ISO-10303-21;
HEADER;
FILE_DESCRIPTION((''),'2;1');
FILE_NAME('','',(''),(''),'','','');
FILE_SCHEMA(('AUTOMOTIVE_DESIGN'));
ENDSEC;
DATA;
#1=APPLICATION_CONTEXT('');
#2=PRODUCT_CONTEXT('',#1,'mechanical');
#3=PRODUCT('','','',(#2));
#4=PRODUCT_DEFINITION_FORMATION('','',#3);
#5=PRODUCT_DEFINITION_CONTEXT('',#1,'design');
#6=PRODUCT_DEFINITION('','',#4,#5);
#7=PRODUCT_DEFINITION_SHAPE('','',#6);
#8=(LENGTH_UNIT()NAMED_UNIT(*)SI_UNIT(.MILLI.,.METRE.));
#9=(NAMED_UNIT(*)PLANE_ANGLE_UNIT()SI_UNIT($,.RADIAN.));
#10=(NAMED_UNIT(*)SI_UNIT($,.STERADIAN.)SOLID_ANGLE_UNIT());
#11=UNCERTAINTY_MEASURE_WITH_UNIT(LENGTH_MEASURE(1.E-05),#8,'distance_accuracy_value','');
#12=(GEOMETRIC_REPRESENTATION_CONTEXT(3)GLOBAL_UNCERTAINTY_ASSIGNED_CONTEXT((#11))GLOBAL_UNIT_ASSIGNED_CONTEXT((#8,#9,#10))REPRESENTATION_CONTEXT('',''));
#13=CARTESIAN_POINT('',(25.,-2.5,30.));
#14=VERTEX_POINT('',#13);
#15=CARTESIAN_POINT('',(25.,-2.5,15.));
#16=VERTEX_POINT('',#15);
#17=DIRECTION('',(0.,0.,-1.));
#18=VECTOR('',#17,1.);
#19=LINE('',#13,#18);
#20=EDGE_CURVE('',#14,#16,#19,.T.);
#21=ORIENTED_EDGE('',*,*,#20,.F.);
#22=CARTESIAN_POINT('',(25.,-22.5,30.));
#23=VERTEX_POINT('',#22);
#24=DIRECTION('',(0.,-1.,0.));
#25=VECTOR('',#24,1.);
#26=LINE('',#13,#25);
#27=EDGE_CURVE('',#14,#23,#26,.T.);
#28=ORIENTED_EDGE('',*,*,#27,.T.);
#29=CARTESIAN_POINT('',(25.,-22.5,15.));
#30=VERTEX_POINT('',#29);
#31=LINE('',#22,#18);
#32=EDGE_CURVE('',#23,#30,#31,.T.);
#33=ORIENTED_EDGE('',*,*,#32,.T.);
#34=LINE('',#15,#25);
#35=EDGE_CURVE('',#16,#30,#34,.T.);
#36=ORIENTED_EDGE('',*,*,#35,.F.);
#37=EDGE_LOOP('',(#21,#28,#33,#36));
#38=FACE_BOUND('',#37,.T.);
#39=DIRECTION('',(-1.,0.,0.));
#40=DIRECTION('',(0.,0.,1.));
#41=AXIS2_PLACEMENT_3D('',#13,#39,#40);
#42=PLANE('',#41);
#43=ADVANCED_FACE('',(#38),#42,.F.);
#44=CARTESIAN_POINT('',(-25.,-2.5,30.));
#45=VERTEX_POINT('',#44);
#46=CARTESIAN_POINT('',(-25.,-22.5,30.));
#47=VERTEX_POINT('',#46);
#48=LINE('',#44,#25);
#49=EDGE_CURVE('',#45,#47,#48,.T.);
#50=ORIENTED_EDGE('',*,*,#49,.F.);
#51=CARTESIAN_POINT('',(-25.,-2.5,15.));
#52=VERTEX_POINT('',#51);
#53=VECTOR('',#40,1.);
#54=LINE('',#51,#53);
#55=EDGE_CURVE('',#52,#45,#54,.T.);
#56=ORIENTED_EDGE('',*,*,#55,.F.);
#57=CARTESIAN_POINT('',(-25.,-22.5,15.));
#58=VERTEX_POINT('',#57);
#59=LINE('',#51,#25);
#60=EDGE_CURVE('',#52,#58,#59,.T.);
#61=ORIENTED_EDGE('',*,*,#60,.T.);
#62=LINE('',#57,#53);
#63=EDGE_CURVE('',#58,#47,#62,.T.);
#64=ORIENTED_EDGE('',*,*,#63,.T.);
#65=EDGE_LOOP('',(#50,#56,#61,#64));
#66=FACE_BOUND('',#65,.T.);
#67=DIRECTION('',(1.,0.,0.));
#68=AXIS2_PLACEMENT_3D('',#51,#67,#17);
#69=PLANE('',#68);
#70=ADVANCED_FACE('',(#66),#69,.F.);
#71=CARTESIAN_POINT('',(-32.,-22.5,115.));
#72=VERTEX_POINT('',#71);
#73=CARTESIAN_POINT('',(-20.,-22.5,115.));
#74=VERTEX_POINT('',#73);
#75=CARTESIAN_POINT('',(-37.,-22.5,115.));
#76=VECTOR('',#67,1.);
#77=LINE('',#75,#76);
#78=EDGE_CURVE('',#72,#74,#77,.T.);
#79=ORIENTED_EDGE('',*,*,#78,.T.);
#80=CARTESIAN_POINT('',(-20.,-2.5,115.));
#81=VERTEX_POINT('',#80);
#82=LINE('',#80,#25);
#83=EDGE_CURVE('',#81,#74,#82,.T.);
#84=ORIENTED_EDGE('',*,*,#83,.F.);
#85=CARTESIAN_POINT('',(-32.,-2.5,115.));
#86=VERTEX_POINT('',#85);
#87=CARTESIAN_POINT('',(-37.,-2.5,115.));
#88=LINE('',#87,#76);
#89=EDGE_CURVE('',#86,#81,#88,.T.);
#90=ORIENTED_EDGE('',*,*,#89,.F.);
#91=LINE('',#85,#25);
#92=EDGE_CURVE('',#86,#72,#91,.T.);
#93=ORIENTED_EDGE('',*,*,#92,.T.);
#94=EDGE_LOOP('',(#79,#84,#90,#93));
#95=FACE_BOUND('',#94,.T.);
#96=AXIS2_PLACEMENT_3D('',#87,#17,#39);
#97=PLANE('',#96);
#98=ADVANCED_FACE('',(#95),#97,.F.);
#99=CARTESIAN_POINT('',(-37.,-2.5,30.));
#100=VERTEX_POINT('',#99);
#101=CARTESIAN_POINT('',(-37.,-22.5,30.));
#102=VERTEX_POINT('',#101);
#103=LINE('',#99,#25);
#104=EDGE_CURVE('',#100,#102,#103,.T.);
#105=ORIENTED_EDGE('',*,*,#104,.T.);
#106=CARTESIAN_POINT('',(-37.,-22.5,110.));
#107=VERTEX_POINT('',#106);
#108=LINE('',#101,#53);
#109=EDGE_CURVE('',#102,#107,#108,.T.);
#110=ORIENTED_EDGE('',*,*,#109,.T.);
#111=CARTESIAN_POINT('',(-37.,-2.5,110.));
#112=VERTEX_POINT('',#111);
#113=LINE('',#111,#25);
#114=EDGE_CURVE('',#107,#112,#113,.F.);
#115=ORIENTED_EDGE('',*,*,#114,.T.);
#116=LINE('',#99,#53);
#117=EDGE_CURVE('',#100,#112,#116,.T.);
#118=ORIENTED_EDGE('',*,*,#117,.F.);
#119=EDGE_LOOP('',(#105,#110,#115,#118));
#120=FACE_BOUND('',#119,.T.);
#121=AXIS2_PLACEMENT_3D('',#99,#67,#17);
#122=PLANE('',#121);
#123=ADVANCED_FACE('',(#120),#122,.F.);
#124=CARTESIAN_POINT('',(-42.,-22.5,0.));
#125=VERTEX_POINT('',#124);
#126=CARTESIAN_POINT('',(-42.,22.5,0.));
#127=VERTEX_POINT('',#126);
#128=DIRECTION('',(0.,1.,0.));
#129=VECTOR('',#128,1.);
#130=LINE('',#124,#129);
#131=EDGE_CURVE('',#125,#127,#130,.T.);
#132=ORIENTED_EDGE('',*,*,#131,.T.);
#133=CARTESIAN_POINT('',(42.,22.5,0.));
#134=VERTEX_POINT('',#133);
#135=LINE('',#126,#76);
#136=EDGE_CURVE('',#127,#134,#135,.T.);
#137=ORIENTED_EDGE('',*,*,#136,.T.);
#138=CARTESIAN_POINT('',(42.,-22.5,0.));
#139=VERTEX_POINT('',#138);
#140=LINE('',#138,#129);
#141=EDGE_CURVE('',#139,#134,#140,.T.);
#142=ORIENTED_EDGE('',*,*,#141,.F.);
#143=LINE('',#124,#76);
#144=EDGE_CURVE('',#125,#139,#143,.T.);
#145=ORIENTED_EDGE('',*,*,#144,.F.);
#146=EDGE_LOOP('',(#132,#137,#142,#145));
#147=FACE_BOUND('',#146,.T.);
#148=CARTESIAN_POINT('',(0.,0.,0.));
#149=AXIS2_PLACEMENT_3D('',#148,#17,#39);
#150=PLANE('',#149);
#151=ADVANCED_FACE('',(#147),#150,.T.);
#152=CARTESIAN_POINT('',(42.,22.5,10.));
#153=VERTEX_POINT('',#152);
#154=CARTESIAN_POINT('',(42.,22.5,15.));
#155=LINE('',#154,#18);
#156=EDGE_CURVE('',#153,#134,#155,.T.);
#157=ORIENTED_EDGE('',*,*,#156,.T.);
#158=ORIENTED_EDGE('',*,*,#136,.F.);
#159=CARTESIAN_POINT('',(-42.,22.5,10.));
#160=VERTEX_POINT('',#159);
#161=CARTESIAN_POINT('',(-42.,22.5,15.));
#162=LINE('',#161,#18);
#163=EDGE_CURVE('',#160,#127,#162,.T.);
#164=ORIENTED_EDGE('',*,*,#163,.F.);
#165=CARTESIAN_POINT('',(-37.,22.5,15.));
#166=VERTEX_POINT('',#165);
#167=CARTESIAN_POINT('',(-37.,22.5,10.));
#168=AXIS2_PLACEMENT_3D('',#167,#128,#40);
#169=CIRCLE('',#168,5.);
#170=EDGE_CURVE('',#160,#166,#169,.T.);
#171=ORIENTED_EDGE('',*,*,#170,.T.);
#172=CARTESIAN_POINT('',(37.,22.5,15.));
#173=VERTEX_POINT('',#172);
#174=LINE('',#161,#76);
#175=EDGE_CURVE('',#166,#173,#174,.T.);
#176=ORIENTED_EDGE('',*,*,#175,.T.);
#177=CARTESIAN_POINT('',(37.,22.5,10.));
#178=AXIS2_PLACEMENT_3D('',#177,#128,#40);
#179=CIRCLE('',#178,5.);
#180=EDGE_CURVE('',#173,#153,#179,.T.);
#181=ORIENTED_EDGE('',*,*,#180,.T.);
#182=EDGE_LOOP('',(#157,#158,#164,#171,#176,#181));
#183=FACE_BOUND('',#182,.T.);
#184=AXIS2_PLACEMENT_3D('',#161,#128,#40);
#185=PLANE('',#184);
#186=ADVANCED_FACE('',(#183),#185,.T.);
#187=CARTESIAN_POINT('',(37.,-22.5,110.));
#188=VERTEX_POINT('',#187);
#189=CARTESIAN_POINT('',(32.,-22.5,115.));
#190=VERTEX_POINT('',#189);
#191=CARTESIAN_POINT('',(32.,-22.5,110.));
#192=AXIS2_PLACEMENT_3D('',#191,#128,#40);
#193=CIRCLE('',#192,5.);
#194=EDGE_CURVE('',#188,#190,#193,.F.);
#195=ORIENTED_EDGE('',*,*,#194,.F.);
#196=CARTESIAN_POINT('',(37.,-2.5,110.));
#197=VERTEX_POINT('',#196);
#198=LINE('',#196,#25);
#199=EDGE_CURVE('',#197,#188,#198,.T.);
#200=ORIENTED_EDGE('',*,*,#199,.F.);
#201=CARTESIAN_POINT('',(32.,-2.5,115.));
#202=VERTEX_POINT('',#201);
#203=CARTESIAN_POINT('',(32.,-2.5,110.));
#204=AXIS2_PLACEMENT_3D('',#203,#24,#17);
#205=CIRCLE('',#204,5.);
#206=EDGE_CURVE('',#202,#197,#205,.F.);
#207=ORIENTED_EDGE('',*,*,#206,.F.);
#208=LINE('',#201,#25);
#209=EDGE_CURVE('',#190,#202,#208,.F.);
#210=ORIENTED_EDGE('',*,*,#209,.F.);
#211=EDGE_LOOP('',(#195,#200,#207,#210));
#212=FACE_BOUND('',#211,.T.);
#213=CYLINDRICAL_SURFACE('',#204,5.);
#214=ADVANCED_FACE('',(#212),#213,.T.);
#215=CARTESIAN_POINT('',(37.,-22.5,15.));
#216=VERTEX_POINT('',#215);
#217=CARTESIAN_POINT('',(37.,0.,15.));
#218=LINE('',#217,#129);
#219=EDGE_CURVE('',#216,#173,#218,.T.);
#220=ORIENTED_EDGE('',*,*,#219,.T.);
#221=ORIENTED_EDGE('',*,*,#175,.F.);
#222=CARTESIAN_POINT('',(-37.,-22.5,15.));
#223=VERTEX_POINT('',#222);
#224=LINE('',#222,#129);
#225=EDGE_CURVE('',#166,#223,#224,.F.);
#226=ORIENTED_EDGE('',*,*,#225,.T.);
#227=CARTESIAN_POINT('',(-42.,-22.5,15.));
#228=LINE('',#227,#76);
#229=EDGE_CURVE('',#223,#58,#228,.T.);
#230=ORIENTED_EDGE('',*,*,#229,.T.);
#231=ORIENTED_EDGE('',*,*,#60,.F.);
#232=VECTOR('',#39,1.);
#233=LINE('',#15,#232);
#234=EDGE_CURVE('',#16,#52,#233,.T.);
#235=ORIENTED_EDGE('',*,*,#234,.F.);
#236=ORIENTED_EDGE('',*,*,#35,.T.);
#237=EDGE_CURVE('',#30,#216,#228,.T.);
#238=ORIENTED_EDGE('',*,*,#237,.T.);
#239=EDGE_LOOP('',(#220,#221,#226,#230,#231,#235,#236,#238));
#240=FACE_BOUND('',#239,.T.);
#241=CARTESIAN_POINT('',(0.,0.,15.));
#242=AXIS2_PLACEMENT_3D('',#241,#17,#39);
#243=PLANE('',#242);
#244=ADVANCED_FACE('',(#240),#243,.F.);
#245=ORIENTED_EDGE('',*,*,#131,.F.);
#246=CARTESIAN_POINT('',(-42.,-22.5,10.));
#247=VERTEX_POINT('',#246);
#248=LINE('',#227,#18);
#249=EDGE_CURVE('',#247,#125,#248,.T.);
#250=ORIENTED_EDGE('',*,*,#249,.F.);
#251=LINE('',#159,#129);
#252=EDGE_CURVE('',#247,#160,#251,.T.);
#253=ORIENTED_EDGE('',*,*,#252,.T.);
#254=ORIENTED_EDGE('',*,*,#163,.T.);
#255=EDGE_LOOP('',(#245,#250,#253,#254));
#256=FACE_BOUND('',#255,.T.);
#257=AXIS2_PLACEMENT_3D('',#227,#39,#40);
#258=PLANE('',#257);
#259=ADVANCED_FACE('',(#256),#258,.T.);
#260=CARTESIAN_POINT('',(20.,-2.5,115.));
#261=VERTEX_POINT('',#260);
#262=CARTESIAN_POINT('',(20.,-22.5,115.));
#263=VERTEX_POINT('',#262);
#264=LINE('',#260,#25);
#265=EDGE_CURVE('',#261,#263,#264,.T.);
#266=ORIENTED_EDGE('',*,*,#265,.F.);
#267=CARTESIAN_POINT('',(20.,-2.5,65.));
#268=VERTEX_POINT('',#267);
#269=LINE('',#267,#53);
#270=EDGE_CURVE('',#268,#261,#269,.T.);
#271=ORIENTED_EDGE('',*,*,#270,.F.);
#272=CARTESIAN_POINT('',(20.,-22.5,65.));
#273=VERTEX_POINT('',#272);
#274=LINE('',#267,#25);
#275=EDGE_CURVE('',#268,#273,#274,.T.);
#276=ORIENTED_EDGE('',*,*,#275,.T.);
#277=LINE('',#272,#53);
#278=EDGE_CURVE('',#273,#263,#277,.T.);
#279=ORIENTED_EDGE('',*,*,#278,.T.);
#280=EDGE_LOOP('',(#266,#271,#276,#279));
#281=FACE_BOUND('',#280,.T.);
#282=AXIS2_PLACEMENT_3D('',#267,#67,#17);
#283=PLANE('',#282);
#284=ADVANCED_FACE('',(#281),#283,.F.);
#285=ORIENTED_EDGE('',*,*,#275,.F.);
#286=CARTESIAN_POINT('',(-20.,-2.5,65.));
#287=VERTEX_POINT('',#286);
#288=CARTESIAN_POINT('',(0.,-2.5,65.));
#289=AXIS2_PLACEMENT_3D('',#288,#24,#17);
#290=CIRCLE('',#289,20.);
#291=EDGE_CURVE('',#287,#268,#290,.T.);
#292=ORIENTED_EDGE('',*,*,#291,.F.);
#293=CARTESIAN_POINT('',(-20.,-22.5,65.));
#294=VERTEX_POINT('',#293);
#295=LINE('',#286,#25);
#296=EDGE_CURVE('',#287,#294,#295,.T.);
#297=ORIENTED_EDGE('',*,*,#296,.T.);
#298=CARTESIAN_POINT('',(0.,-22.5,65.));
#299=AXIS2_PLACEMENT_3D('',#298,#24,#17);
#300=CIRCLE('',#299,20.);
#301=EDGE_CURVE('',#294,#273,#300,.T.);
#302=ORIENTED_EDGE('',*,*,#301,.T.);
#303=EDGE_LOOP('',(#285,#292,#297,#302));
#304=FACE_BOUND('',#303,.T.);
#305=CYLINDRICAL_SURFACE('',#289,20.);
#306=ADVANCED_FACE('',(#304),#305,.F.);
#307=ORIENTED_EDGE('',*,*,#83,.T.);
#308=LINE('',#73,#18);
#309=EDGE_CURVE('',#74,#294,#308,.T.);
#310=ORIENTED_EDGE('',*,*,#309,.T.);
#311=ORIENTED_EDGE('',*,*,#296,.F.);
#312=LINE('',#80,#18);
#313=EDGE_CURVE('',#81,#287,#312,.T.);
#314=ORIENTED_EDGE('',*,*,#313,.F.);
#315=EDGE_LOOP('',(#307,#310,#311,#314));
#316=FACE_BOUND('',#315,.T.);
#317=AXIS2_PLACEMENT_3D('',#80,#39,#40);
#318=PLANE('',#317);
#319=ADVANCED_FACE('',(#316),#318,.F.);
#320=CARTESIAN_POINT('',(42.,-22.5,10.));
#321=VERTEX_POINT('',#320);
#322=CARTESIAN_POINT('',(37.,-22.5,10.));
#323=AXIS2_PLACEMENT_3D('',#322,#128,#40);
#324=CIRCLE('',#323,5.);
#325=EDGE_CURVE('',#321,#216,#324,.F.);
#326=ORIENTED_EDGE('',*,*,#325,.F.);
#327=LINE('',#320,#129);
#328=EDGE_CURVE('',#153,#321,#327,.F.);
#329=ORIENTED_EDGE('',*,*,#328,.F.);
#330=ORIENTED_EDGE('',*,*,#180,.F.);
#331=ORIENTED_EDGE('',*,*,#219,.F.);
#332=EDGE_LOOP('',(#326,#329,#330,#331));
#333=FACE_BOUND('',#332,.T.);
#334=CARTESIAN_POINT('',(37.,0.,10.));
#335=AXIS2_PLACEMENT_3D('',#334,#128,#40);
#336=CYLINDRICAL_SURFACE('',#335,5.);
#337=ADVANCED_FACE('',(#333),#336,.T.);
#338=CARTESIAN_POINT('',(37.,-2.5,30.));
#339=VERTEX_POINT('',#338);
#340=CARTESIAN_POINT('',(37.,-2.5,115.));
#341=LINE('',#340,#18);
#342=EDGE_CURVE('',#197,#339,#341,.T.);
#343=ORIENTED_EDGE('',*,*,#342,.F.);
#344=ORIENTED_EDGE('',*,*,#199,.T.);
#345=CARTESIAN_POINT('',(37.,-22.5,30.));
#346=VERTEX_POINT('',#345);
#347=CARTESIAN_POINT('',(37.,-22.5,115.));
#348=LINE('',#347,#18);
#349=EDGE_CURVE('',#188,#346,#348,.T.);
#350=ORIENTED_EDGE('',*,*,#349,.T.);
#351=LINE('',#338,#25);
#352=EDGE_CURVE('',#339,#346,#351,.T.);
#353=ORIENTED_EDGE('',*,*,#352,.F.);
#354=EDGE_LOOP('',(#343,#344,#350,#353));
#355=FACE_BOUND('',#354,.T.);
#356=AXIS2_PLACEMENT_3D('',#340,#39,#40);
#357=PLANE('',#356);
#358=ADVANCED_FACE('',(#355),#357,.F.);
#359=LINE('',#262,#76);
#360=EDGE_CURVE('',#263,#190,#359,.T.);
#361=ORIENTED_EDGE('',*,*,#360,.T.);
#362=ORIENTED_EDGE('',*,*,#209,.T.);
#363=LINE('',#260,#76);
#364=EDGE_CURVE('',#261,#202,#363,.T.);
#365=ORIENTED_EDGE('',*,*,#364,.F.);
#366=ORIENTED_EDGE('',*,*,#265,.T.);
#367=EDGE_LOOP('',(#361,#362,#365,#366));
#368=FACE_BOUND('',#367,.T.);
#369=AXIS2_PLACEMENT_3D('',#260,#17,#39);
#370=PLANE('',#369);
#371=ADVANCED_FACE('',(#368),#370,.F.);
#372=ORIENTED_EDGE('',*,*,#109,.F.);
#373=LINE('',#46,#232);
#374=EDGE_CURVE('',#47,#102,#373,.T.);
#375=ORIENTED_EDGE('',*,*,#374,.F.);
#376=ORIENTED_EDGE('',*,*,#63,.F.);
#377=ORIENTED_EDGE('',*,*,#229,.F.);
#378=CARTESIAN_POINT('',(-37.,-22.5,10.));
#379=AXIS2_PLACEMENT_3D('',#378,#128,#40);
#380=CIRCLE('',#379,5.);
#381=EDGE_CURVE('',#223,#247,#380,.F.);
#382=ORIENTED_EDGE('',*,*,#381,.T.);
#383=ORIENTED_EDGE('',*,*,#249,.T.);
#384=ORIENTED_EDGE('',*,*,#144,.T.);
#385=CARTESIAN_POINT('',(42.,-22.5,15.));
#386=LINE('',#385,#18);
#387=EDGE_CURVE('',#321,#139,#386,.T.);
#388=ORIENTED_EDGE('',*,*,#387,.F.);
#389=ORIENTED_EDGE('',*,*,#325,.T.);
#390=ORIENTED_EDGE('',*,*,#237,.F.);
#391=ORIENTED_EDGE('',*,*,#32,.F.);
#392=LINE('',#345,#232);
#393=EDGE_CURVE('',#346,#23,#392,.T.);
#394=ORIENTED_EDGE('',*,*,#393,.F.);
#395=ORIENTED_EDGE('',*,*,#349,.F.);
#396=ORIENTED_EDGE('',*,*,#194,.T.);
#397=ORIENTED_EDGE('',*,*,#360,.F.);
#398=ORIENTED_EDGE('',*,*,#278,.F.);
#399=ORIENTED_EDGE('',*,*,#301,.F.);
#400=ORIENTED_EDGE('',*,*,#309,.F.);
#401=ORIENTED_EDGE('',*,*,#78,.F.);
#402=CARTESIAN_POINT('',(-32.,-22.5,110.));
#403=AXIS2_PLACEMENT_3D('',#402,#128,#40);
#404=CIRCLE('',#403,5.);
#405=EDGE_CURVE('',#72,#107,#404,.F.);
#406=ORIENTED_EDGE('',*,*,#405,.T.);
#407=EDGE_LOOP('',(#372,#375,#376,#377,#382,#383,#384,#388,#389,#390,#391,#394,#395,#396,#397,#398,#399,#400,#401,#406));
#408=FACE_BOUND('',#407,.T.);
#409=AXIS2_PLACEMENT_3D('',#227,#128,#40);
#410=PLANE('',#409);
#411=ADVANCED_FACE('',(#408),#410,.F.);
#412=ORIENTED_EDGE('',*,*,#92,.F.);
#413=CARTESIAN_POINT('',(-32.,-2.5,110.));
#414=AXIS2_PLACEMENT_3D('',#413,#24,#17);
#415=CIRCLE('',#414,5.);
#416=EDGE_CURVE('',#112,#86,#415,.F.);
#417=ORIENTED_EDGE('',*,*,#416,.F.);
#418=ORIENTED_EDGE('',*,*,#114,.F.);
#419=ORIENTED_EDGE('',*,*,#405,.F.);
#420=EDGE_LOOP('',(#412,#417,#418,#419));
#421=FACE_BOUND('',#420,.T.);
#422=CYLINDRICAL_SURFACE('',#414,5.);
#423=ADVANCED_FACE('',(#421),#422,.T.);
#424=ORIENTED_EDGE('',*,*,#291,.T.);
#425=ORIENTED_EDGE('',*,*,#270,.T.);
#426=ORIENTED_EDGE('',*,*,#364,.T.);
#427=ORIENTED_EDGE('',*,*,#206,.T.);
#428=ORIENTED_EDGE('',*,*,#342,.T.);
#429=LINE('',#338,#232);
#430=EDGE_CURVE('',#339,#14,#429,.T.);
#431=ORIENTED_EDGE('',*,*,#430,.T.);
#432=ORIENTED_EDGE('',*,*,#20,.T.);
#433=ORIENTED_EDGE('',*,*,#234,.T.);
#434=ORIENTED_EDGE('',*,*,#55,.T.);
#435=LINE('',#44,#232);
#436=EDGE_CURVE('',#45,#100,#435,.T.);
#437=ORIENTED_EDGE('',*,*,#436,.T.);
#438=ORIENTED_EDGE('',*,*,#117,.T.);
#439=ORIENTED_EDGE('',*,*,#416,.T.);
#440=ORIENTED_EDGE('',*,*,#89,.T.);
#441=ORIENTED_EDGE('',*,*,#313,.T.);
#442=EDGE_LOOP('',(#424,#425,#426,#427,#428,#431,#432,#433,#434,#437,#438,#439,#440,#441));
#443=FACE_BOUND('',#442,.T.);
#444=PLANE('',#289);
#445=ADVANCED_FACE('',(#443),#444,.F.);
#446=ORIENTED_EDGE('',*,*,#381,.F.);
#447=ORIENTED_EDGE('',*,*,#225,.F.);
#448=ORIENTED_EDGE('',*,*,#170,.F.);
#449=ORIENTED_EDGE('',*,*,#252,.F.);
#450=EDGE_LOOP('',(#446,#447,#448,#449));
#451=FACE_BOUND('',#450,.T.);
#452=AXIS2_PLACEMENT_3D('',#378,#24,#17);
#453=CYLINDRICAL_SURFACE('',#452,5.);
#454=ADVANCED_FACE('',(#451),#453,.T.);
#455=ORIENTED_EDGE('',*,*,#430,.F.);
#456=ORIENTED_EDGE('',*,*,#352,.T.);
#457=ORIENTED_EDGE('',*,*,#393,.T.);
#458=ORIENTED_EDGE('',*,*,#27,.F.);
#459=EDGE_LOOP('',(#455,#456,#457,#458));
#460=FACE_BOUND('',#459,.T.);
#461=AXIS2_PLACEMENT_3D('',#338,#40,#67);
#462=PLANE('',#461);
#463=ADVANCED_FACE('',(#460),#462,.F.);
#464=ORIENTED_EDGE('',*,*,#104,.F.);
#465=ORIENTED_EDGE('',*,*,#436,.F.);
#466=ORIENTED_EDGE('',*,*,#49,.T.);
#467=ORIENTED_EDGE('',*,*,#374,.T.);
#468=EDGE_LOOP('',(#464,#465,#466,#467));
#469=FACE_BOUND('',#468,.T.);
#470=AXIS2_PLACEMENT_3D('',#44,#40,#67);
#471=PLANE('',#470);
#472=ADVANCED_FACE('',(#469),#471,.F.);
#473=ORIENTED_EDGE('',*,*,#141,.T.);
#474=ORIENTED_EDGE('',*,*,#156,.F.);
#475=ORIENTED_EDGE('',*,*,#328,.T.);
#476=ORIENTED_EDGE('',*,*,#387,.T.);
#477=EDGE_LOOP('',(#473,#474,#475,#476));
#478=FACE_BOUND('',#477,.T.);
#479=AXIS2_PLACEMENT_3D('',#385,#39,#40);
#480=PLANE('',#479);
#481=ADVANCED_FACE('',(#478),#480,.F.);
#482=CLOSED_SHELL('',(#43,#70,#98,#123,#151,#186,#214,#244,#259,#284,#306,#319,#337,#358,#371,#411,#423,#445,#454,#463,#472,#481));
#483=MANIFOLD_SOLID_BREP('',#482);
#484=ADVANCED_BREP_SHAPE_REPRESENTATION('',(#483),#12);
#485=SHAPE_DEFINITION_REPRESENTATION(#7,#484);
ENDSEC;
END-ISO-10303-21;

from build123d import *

# Parameters (mm, degrees)
ESQUISSE1_W        = 84
ESQUISSE1_H        = 45
BOSS_EXTRU_1_DEPTH = 15
BOSS_EXTRU_2_DEPTH = 20
CONG_1_R           = 5


with BuildPart() as part:
    # Esquisse1 → Boss.-Extru.1 (new body)
    with BuildSketch(Plane.XY):
        Rectangle(ESQUISSE1_W, ESQUISSE1_H)
    extrude(amount=BOSS_EXTRU_1_DEPTH)

    # Esquisse2 → Boss.-Extru.2 (add)
    with BuildSketch(Plane.XZ.offset(22.5)):
        with BuildLine():
            Line((37, 115), (37, 30))
            Line((37, 30), (25, 30))
            Line((25, 30), (25, 15))
            Line((25, 15), (0, 15))
            Line((0, 15), (-25, 15))
            Line((-25, 15), (-25, 30))
            Line((-25, 30), (-37, 30))
            Line((-37, 30), (-37, 115))
            Line((-37, 115), (-20, 115))
            Line((-20, 115), (-20, 65))
            ThreePointArc((-20, 65), (0, 45), (20, 65))
            Line((20, 65), (20, 115))
            Line((20, 115), (37, 115))
        make_face()
    extrude(amount=-BOSS_EXTRU_2_DEPTH)

    # Congé1
    cong_1_edges = [part.edges().sort_by_distance(p)[0] for p in [
        (42, 0, 15),
        (37, -12.5, 115),
        (-37, -12.5, 115),
        (-42, 0, 15),
    ]]
    fillet(cong_1_edges, radius=CONG_1_R)


solid = part.part
